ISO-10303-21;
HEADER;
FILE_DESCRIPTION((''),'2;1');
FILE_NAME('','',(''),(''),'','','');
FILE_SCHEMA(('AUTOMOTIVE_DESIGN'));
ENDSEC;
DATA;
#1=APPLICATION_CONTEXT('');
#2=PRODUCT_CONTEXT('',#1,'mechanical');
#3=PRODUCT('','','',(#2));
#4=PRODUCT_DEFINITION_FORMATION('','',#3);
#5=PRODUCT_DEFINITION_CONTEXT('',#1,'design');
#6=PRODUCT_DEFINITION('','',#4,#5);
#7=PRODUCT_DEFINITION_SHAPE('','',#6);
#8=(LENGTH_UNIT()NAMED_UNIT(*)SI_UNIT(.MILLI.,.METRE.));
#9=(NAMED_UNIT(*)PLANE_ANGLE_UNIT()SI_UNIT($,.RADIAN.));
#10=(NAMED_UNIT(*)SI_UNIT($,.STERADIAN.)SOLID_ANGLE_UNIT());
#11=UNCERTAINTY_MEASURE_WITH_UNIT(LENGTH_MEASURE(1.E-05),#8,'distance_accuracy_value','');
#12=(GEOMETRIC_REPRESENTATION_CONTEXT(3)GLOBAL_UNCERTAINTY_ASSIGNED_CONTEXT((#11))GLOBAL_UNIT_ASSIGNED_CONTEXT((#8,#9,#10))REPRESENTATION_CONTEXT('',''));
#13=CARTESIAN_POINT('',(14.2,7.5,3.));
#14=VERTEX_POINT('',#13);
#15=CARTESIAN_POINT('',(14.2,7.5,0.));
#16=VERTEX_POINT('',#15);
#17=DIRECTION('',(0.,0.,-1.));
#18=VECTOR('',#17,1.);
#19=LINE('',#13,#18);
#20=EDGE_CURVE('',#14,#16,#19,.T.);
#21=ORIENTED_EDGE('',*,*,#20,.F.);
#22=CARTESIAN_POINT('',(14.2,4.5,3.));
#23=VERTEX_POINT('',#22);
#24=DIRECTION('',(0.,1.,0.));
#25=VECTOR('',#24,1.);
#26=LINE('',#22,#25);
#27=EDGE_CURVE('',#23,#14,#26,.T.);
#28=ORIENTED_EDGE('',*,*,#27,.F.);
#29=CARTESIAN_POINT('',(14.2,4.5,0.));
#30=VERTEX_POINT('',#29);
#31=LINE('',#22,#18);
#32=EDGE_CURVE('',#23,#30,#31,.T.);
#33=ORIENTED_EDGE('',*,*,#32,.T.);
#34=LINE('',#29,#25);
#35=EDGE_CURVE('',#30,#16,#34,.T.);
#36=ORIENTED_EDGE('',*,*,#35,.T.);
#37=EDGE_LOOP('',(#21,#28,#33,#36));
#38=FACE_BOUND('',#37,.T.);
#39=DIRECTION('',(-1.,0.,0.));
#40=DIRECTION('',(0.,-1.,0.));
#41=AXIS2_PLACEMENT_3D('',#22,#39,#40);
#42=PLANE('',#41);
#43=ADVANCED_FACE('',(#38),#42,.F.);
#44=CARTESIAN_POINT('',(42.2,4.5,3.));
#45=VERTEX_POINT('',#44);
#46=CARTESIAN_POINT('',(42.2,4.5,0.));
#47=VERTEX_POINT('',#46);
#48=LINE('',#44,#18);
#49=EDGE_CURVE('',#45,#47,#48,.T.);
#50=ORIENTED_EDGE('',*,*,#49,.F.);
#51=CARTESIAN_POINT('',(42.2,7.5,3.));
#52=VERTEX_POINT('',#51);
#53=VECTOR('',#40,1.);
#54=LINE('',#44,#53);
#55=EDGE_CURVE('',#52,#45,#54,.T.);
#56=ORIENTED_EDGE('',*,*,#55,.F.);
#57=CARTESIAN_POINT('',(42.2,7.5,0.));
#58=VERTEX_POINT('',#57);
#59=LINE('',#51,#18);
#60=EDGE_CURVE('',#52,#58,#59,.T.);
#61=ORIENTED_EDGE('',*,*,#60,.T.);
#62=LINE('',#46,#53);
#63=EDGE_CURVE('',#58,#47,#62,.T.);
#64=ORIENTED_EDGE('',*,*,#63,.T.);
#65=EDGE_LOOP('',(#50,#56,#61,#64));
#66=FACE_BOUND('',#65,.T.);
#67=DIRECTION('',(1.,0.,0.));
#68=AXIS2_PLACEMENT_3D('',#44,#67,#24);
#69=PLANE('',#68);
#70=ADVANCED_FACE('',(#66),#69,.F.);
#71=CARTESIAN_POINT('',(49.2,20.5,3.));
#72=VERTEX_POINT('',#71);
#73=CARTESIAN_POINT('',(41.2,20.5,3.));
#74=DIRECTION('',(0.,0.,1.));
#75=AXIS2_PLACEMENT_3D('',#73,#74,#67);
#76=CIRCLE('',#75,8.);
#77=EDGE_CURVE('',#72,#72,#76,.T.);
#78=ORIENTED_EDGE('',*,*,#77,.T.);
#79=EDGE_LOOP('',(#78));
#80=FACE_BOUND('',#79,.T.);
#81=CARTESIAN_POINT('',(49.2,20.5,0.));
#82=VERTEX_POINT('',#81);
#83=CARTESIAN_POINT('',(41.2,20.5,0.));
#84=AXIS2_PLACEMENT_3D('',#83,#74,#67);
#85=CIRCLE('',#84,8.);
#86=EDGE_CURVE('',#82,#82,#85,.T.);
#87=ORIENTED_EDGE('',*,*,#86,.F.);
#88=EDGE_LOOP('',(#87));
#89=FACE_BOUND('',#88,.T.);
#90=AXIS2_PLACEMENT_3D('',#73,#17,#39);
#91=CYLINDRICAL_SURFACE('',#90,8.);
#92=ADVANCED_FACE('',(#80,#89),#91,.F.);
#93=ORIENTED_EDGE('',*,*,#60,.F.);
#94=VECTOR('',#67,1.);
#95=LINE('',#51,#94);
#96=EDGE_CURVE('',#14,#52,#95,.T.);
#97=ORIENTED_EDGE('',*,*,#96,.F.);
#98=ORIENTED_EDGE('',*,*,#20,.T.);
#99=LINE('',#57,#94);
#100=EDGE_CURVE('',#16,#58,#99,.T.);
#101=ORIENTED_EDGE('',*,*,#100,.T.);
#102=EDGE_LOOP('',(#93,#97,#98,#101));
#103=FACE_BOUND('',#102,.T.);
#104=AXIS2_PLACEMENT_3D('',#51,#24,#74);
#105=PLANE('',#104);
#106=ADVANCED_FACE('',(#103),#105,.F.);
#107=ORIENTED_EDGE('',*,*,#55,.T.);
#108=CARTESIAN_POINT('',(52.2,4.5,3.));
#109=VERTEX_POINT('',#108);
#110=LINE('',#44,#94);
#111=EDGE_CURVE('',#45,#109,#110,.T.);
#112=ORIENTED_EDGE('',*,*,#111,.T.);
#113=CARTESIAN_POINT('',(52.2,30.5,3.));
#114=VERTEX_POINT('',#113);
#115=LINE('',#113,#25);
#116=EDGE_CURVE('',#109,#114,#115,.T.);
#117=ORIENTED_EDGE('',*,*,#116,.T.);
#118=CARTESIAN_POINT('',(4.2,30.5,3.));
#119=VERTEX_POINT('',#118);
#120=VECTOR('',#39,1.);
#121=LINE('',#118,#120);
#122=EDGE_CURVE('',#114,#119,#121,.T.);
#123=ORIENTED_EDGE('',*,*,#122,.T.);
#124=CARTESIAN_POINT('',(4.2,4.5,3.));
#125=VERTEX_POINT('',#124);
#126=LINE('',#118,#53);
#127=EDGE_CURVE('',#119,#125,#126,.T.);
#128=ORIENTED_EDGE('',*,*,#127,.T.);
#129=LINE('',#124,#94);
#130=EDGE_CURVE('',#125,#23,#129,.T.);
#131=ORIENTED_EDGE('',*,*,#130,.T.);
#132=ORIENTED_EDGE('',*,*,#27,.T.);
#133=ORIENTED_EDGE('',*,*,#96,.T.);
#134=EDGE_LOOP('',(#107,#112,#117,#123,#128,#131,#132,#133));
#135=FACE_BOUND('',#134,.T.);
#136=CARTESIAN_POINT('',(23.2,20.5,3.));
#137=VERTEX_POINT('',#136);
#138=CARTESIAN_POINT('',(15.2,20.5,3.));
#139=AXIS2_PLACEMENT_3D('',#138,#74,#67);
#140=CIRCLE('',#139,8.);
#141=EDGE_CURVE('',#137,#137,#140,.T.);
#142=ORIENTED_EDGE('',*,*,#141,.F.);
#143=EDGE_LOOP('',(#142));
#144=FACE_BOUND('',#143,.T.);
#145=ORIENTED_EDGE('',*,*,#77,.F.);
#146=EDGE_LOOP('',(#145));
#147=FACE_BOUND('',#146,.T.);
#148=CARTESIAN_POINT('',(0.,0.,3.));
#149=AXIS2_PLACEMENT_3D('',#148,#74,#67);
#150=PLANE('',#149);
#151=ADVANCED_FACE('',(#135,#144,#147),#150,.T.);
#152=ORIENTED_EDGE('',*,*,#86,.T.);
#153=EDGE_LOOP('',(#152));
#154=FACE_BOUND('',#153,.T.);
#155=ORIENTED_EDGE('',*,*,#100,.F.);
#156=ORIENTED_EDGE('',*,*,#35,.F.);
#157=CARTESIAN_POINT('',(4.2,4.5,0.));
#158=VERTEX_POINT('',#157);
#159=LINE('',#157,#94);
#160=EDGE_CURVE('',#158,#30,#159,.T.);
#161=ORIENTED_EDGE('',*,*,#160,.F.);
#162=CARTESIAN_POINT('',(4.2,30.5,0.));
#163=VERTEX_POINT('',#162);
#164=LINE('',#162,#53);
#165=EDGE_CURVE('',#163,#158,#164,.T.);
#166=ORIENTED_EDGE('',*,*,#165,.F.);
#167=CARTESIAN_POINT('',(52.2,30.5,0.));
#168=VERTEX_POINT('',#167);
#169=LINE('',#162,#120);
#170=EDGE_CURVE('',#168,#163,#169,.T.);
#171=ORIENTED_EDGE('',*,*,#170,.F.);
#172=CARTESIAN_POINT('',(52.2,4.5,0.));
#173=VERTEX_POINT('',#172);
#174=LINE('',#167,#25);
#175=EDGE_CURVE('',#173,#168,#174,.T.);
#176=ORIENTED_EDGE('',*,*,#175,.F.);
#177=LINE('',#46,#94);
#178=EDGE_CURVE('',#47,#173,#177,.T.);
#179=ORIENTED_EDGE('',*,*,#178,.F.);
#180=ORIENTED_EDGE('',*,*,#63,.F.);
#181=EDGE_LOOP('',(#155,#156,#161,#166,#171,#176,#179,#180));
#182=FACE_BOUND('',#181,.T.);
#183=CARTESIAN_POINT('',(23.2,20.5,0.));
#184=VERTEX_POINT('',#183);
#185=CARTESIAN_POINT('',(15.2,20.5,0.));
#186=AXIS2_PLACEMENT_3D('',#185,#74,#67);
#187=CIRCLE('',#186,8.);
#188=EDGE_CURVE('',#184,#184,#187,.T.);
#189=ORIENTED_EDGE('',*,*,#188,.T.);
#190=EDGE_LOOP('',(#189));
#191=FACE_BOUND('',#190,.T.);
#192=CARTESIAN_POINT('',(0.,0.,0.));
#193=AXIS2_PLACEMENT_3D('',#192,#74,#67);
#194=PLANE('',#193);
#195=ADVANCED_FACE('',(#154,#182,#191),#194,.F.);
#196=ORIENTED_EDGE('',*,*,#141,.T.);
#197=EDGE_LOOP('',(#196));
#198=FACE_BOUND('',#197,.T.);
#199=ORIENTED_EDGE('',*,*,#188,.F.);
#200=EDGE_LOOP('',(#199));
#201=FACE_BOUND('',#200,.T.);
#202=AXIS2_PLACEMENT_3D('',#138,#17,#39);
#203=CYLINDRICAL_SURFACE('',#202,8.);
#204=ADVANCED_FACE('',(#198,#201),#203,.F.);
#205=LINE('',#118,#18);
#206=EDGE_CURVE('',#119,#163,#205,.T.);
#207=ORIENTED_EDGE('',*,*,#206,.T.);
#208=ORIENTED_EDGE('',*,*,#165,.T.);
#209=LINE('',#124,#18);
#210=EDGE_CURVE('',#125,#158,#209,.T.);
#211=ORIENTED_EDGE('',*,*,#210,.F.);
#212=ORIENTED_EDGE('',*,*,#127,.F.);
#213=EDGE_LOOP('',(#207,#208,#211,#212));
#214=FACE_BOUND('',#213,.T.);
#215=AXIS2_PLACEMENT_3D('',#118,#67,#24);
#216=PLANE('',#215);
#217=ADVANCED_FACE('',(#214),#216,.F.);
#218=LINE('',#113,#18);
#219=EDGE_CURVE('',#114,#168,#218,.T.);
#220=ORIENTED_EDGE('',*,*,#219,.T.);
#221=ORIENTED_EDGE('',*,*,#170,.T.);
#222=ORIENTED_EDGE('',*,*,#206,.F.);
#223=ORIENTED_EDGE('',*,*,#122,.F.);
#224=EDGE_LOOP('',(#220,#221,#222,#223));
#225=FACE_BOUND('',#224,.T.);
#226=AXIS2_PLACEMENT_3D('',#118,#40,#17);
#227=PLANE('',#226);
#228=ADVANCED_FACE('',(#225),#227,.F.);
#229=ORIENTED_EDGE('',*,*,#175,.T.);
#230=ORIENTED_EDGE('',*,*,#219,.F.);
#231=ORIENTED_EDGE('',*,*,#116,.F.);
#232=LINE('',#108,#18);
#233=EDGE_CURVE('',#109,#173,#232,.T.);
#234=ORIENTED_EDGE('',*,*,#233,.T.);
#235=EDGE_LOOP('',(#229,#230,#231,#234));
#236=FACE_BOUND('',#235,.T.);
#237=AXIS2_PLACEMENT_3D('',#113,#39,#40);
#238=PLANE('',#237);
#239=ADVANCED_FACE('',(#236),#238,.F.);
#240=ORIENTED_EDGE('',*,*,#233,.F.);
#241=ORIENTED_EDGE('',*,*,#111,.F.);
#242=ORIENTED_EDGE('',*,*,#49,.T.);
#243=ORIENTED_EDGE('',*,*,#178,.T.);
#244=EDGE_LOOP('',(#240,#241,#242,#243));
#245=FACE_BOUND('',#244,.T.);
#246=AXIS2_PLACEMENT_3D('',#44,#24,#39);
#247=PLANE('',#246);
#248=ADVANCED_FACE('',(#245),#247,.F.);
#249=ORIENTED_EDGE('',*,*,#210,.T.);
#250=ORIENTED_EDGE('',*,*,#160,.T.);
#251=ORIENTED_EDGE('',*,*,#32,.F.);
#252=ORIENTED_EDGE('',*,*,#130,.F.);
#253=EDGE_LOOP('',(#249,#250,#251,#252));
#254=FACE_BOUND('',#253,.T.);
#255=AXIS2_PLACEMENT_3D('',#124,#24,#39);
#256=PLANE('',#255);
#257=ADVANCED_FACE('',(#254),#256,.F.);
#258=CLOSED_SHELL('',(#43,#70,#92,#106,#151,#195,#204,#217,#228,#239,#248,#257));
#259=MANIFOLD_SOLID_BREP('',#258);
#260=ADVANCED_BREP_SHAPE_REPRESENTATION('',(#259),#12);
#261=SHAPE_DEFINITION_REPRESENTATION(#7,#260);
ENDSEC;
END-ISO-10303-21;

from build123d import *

# Parameters (mm, degrees)
MODEL_R                 = 8
SALIENTE_EXTRUIR1_DEPTH = 3


with BuildPart() as part:
    # Model → Saliente-Extruir1 (new body)
    with BuildSketch(Plane.XY):
        Polygon((42.2, 7.5), (14.2, 7.5), (14.2, 4.5), (4.2, 4.5), (4.2, 30.5), (52.2, 30.5), (52.2, 4.5), (42.2, 4.5), align=None)
        with Locations((41.2, 20.5)):
            Circle(MODEL_R, mode=Mode.SUBTRACT)
        with Locations((15.2, 20.5)):
            Circle(MODEL_R, mode=Mode.SUBTRACT)
    extrude(amount=SALIENTE_EXTRUIR1_DEPTH)


solid = part.part
